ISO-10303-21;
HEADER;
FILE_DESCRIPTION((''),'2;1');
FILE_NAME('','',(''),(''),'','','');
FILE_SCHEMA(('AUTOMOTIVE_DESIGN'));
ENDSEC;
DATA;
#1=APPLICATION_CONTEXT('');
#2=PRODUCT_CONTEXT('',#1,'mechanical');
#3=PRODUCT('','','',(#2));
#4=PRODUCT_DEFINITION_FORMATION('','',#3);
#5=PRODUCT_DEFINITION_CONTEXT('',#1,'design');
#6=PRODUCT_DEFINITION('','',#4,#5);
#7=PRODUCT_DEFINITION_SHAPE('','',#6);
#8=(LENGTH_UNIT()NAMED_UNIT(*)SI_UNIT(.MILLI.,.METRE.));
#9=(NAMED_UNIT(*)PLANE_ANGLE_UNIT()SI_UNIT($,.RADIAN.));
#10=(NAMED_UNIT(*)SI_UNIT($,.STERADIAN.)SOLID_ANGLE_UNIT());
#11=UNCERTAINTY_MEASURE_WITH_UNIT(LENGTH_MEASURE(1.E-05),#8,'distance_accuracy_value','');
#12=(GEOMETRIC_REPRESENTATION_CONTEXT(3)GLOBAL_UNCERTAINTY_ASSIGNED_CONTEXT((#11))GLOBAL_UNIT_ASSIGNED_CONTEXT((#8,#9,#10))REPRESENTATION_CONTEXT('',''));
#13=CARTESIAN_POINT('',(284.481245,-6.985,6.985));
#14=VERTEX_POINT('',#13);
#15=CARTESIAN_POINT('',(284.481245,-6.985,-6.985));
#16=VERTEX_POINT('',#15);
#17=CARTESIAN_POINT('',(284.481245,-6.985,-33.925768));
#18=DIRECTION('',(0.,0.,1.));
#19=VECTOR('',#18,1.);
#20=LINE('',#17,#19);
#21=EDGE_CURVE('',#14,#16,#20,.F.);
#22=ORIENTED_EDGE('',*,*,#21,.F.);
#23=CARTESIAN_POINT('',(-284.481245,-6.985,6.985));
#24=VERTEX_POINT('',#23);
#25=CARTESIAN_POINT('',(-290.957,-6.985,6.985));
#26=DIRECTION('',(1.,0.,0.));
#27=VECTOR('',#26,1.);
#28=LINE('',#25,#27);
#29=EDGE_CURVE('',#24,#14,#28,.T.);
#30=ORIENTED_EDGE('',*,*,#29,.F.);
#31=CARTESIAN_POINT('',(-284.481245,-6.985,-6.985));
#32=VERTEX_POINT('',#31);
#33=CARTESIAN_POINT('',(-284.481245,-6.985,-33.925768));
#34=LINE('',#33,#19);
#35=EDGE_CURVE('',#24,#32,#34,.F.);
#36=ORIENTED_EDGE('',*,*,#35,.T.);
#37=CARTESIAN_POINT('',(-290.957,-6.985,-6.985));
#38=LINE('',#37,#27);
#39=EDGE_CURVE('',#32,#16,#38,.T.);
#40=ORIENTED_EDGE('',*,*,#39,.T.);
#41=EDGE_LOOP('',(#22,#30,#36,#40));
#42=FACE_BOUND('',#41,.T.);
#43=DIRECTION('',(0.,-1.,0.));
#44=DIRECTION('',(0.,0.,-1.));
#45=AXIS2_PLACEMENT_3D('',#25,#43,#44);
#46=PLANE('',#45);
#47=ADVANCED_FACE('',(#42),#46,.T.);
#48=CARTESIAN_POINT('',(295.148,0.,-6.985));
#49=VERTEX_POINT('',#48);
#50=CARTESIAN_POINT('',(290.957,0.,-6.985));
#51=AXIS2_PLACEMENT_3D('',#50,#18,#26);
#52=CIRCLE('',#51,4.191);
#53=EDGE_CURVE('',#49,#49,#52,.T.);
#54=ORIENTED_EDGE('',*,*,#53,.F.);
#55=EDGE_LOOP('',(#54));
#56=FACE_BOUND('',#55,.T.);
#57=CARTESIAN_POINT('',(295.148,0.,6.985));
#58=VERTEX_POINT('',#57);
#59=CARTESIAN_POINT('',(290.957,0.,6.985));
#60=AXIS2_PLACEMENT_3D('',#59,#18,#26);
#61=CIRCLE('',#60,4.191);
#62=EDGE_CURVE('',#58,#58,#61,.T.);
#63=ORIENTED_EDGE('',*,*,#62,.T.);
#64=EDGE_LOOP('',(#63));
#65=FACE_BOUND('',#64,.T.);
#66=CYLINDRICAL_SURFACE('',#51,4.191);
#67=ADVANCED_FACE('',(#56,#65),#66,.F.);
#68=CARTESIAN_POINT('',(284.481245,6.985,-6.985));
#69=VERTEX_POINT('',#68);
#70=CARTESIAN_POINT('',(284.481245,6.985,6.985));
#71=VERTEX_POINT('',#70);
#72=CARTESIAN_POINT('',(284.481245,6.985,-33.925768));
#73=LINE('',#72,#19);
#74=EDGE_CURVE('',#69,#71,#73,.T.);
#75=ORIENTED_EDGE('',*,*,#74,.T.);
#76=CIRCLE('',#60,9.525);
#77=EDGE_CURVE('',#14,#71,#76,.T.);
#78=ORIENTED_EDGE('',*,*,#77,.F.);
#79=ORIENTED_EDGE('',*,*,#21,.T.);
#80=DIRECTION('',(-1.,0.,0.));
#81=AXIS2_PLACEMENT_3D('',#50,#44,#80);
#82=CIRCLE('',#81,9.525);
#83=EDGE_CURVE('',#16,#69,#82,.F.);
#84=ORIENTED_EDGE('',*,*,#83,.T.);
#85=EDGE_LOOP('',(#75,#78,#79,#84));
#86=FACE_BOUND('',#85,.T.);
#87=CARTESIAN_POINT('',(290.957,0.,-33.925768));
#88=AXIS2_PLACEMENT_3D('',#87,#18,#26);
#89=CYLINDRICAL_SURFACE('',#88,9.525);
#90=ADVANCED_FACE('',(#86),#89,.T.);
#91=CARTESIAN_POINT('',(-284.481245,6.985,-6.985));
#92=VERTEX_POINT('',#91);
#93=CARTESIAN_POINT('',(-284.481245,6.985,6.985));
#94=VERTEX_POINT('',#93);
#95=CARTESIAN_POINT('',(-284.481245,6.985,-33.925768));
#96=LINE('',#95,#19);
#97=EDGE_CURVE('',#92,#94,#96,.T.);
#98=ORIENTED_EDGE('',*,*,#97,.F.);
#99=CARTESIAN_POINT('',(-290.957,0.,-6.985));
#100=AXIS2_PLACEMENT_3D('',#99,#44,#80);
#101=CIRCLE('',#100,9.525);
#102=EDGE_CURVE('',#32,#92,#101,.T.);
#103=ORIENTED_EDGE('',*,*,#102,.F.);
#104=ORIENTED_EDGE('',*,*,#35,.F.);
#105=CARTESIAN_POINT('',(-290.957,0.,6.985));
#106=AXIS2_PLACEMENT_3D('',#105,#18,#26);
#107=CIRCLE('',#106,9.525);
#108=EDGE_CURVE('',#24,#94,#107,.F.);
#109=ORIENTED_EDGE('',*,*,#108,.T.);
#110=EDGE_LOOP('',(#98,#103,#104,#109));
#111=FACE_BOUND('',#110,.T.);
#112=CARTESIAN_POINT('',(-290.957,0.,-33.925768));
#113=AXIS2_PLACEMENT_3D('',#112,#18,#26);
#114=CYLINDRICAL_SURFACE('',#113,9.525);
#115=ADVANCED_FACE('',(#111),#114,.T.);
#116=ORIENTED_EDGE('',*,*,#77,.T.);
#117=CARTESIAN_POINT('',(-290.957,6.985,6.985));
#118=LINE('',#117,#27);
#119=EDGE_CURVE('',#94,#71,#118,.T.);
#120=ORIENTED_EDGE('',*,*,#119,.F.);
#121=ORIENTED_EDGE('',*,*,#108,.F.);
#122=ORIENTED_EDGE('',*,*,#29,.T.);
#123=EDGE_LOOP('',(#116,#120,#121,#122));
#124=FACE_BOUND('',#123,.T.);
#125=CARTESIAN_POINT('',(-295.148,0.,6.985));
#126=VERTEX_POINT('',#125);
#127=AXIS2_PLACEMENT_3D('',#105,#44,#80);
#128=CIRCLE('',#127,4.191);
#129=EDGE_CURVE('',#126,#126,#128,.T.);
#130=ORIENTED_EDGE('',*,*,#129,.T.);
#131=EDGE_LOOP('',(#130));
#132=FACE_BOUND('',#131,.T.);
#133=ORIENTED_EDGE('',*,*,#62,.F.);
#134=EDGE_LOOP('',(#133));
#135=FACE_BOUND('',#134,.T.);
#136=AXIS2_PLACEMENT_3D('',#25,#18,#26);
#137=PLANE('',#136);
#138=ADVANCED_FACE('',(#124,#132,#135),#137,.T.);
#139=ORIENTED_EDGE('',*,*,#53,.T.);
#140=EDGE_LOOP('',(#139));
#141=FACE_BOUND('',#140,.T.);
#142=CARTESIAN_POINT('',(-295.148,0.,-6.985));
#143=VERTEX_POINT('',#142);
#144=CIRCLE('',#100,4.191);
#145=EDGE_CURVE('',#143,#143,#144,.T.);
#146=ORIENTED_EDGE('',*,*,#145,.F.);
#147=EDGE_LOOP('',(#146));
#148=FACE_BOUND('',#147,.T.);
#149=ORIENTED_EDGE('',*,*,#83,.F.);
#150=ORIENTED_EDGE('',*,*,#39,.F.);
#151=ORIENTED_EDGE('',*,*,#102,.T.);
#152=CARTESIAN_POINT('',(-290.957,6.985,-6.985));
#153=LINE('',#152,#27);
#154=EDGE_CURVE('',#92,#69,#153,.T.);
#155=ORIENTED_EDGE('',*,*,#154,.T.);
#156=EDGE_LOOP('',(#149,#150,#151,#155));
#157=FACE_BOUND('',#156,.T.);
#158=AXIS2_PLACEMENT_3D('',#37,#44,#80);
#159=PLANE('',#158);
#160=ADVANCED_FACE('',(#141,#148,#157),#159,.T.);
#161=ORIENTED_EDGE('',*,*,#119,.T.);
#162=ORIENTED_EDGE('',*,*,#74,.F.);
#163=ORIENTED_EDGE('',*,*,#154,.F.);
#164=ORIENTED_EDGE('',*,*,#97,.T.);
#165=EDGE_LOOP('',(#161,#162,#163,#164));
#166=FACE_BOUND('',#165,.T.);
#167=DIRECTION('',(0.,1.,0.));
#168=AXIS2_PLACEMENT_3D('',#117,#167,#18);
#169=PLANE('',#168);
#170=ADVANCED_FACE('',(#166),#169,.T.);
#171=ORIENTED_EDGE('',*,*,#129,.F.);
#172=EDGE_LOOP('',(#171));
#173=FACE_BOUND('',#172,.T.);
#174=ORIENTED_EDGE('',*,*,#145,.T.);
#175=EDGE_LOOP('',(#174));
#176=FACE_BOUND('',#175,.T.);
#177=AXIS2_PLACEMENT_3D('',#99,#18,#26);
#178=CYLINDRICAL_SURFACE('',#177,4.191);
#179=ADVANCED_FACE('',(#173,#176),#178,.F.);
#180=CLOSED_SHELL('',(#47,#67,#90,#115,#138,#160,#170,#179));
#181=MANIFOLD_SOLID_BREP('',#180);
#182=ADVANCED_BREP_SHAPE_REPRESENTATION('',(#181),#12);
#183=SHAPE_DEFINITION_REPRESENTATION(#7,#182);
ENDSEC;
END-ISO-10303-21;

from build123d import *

# Parameters (mm, degrees)
BOSS_EXTRUDE1_DEPTH             = 290.957
BOSS_EXTRUDE1_DEPTH_BACK        = 290.957
SKETCH3_W                       = 13.97
SKETCH3_H                       = 13.97
BOSS_EXTRUDE4_REACH             = 293.125
SKETCH6_R                       = 9.525
BOSS_EXTRUDE4_DIRECTION_2_REACH = 293.125
SKETCH7_R                       = 4.191
CUT_EXTRUDE2_DEPTH              = 301.714063811


with BuildPart() as part:
    # Sketch3 → Boss-Extrude1 (new, two sides: drawn at the far end of the back side and taken through both)
    with BuildSketch(Plane(origin=(0, 0, 0), x_dir=(0, 0, -1), z_dir=(1, 0, 0)).offset(-BOSS_EXTRUDE1_DEPTH_BACK)):
        Rectangle(SKETCH3_W, SKETCH3_H)
    extrude(amount=BOSS_EXTRUDE1_DEPTH + BOSS_EXTRUDE1_DEPTH_BACK)

    # Boss-Extrude4: up to this face of the body (flat: up to its plane)
    boss_extrude4_end = Plane(part.part.faces().sort_by_distance((0, 0, -6.985))[0])
    # Sketch6 → Boss-Extrude4 (add, up to the picked face)
    with BuildSketch(Plane.XY, mode=Mode.PRIVATE) as boss_extrude4_sk1:
        with Locations((290.957, 0)):
            Circle(SKETCH6_R)
    boss_extrude4_tool1 = split(extrude(boss_extrude4_sk1.sketch, amount=-BOSS_EXTRUDE4_REACH, mode=Mode.PRIVATE), bisect_by=boss_extrude4_end, keep=Keep.BOTH, mode=Mode.PRIVATE)
    boss_extrude4 = boss_extrude4_tool1.solids().sort_by(Axis((290.957, 0, 0), (0, 0, -1)))[0]
    add(boss_extrude4)

    # Boss-Extrude4 direction 2: up to this face of the body (flat: up to its plane)
    boss_extrude4_direction_2_end = Plane(part.part.faces().sort_by_distance((0, 0, 6.985))[0])
    # Sketch6 → Boss-Extrude4 direction 2 (add, up to the picked face)
    with BuildSketch(Plane.XY, mode=Mode.PRIVATE) as boss_extrude4_direction_2_sk1:
        with Locations((290.957, 0)):
            Circle(SKETCH6_R)
    boss_extrude4_direction_2_tool1 = split(extrude(boss_extrude4_direction_2_sk1.sketch, amount=BOSS_EXTRUDE4_DIRECTION_2_REACH, mode=Mode.PRIVATE), bisect_by=boss_extrude4_direction_2_end, keep=Keep.BOTH, mode=Mode.PRIVATE)
    boss_extrude4_direction_2 = boss_extrude4_direction_2_tool1.solids().sort_by(Axis((290.957, 0, 0), (0, 0, 1)))[0]
    add(boss_extrude4_direction_2)

    # Sketch7 → Cut-Extrude2 (cut, symmetric)
    with BuildSketch(Plane.XY):
        with Locations((290.957, 0)):
            Circle(SKETCH7_R)
    cut_extrude2 = extrude(amount=CUT_EXTRUDE2_DEPTH, both=True, mode=Mode.SUBTRACT)

    # Mirror3: Boss-Extrude4, Boss-Extrude4 direction 2, Cut-Extrude2 across plane
    add(boss_extrude4.mirror(Plane(origin=(0, 0, 0), x_dir=(0, 0, 1), z_dir=(1, 0, 0))))
    add(boss_extrude4_direction_2.mirror(Plane(origin=(0, 0, 0), x_dir=(0, 0, 1), z_dir=(1, 0, 0))))
    add(cut_extrude2.mirror(Plane(origin=(0, 0, 0), x_dir=(0, 0, 1), z_dir=(1, 0, 0))), mode=Mode.SUBTRACT)


solid = part.part
